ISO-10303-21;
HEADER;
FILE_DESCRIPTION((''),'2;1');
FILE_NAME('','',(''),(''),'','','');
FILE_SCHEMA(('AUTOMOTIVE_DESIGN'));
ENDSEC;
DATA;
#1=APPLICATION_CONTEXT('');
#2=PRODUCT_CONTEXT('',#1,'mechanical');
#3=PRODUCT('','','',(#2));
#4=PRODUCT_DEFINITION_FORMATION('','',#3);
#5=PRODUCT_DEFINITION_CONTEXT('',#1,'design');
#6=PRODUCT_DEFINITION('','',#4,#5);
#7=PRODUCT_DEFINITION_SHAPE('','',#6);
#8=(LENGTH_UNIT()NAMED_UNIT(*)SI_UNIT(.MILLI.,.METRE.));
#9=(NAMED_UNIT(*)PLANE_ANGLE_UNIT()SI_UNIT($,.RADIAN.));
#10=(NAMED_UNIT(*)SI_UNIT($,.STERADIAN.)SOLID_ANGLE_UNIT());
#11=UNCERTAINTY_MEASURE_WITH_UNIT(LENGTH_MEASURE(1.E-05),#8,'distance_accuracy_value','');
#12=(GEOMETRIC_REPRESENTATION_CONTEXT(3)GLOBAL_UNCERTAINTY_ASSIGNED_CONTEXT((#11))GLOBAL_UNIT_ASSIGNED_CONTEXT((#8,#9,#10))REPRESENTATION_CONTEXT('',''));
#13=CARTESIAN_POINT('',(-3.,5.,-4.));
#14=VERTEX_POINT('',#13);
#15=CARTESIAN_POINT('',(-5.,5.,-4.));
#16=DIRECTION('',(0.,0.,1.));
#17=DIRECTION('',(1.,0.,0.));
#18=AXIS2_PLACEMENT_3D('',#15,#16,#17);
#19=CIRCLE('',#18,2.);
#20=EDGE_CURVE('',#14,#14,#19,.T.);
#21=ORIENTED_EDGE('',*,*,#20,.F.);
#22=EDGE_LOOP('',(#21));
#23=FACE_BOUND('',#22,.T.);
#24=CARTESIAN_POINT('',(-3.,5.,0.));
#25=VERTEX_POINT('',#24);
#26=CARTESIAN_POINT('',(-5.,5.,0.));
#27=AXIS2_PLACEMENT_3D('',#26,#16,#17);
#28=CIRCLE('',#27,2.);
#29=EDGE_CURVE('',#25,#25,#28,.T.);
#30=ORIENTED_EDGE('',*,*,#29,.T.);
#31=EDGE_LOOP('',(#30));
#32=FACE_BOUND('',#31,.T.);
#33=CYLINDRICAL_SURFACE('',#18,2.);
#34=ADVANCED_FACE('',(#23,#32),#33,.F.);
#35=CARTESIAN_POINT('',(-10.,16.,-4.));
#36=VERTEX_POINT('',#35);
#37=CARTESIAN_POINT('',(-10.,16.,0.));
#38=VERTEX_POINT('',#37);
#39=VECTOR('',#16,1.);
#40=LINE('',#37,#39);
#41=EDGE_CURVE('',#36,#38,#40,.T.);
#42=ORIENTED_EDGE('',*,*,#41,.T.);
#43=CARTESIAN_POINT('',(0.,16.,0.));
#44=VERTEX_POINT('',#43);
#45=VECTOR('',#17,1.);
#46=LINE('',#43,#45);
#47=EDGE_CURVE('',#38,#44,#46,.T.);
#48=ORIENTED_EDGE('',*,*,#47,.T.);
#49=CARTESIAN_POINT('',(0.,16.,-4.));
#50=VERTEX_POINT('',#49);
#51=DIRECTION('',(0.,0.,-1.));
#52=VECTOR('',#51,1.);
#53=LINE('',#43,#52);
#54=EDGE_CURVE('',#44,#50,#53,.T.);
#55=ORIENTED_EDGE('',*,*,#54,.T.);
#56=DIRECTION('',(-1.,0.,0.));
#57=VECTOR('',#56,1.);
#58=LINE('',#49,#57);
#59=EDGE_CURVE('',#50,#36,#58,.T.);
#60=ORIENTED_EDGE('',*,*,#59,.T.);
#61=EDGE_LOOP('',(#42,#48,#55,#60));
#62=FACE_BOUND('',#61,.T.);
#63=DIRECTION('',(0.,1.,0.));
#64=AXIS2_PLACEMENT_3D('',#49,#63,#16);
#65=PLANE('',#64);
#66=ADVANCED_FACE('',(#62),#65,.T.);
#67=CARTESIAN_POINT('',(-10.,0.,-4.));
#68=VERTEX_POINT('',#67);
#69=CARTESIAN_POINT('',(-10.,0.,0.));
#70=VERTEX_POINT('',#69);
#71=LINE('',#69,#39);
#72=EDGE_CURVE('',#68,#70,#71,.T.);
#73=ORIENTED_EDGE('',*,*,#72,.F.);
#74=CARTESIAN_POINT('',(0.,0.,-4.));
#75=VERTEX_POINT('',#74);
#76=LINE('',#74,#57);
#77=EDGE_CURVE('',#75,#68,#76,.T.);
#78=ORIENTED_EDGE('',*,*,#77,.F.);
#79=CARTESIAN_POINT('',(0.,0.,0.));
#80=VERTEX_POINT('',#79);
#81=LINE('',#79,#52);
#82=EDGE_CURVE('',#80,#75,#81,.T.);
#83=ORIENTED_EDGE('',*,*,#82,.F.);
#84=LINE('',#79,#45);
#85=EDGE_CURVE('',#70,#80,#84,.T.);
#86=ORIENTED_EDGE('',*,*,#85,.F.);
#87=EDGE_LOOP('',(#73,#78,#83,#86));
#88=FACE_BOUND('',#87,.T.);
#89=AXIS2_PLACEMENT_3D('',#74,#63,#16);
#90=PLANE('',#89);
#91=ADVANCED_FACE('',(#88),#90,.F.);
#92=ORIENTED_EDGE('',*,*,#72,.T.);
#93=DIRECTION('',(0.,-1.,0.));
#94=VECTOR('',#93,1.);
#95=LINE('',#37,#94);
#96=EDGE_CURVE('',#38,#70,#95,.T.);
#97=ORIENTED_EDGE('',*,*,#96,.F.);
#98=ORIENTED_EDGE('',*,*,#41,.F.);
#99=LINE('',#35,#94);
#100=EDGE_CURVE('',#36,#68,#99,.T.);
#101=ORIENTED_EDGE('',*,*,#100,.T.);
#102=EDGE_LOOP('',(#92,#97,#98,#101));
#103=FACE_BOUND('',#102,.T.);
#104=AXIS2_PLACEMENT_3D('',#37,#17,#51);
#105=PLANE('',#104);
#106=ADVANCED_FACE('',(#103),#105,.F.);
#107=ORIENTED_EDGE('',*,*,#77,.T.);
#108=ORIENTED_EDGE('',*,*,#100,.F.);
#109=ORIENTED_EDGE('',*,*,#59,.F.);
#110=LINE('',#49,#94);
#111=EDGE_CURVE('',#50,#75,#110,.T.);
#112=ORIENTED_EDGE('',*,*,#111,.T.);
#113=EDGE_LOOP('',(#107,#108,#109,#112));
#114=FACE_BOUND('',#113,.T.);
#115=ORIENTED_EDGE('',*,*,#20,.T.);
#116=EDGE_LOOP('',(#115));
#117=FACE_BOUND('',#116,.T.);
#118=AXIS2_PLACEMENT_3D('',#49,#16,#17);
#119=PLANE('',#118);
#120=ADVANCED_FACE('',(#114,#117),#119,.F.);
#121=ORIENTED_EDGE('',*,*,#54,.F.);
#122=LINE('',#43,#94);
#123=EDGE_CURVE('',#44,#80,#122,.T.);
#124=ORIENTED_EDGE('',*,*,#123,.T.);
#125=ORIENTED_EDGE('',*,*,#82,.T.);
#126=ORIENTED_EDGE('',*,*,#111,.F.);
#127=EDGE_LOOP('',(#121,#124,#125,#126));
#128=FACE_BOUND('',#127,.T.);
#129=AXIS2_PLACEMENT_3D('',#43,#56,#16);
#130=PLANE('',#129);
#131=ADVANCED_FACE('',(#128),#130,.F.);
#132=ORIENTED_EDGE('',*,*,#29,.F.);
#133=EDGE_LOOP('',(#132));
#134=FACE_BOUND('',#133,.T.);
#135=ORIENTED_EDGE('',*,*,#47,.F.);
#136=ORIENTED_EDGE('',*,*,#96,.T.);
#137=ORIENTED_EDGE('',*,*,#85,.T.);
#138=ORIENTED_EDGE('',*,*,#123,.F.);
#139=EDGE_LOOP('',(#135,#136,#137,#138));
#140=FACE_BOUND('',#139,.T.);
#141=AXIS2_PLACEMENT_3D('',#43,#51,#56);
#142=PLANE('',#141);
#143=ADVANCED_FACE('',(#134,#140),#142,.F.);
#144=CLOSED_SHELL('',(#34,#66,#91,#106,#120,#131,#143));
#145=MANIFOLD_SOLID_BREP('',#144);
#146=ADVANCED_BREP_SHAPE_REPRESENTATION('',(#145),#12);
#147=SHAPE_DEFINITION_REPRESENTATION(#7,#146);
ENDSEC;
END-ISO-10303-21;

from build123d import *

# Parameters (mm, degrees)
SKETCH1_W           = 10
SKETCH1_H           = 4
BOSS_EXTRUDE1_DEPTH = 16
SKETCH2_R           = 2
CUT_EXTRUDE1_DEPTH  = 5


with BuildPart() as part:
    # Sketch1 → Boss-Extrude1 (new body)
    with BuildSketch(Plane(origin=(0, 0, 0), x_dir=(1, 0, 0), z_dir=(0, 1, 0))):
        with Locations((-5, 2)):
            Rectangle(SKETCH1_W, SKETCH1_H)
    extrude(amount=BOSS_EXTRUDE1_DEPTH)

    # Sketch2 → Cut-Extrude1 (cut, through all)
    with BuildSketch(Plane.XY):
        with Locations((-5, 5)):
            Circle(SKETCH2_R)
    extrude(amount=-CUT_EXTRUDE1_DEPTH, mode=Mode.SUBTRACT)


solid = part.part
